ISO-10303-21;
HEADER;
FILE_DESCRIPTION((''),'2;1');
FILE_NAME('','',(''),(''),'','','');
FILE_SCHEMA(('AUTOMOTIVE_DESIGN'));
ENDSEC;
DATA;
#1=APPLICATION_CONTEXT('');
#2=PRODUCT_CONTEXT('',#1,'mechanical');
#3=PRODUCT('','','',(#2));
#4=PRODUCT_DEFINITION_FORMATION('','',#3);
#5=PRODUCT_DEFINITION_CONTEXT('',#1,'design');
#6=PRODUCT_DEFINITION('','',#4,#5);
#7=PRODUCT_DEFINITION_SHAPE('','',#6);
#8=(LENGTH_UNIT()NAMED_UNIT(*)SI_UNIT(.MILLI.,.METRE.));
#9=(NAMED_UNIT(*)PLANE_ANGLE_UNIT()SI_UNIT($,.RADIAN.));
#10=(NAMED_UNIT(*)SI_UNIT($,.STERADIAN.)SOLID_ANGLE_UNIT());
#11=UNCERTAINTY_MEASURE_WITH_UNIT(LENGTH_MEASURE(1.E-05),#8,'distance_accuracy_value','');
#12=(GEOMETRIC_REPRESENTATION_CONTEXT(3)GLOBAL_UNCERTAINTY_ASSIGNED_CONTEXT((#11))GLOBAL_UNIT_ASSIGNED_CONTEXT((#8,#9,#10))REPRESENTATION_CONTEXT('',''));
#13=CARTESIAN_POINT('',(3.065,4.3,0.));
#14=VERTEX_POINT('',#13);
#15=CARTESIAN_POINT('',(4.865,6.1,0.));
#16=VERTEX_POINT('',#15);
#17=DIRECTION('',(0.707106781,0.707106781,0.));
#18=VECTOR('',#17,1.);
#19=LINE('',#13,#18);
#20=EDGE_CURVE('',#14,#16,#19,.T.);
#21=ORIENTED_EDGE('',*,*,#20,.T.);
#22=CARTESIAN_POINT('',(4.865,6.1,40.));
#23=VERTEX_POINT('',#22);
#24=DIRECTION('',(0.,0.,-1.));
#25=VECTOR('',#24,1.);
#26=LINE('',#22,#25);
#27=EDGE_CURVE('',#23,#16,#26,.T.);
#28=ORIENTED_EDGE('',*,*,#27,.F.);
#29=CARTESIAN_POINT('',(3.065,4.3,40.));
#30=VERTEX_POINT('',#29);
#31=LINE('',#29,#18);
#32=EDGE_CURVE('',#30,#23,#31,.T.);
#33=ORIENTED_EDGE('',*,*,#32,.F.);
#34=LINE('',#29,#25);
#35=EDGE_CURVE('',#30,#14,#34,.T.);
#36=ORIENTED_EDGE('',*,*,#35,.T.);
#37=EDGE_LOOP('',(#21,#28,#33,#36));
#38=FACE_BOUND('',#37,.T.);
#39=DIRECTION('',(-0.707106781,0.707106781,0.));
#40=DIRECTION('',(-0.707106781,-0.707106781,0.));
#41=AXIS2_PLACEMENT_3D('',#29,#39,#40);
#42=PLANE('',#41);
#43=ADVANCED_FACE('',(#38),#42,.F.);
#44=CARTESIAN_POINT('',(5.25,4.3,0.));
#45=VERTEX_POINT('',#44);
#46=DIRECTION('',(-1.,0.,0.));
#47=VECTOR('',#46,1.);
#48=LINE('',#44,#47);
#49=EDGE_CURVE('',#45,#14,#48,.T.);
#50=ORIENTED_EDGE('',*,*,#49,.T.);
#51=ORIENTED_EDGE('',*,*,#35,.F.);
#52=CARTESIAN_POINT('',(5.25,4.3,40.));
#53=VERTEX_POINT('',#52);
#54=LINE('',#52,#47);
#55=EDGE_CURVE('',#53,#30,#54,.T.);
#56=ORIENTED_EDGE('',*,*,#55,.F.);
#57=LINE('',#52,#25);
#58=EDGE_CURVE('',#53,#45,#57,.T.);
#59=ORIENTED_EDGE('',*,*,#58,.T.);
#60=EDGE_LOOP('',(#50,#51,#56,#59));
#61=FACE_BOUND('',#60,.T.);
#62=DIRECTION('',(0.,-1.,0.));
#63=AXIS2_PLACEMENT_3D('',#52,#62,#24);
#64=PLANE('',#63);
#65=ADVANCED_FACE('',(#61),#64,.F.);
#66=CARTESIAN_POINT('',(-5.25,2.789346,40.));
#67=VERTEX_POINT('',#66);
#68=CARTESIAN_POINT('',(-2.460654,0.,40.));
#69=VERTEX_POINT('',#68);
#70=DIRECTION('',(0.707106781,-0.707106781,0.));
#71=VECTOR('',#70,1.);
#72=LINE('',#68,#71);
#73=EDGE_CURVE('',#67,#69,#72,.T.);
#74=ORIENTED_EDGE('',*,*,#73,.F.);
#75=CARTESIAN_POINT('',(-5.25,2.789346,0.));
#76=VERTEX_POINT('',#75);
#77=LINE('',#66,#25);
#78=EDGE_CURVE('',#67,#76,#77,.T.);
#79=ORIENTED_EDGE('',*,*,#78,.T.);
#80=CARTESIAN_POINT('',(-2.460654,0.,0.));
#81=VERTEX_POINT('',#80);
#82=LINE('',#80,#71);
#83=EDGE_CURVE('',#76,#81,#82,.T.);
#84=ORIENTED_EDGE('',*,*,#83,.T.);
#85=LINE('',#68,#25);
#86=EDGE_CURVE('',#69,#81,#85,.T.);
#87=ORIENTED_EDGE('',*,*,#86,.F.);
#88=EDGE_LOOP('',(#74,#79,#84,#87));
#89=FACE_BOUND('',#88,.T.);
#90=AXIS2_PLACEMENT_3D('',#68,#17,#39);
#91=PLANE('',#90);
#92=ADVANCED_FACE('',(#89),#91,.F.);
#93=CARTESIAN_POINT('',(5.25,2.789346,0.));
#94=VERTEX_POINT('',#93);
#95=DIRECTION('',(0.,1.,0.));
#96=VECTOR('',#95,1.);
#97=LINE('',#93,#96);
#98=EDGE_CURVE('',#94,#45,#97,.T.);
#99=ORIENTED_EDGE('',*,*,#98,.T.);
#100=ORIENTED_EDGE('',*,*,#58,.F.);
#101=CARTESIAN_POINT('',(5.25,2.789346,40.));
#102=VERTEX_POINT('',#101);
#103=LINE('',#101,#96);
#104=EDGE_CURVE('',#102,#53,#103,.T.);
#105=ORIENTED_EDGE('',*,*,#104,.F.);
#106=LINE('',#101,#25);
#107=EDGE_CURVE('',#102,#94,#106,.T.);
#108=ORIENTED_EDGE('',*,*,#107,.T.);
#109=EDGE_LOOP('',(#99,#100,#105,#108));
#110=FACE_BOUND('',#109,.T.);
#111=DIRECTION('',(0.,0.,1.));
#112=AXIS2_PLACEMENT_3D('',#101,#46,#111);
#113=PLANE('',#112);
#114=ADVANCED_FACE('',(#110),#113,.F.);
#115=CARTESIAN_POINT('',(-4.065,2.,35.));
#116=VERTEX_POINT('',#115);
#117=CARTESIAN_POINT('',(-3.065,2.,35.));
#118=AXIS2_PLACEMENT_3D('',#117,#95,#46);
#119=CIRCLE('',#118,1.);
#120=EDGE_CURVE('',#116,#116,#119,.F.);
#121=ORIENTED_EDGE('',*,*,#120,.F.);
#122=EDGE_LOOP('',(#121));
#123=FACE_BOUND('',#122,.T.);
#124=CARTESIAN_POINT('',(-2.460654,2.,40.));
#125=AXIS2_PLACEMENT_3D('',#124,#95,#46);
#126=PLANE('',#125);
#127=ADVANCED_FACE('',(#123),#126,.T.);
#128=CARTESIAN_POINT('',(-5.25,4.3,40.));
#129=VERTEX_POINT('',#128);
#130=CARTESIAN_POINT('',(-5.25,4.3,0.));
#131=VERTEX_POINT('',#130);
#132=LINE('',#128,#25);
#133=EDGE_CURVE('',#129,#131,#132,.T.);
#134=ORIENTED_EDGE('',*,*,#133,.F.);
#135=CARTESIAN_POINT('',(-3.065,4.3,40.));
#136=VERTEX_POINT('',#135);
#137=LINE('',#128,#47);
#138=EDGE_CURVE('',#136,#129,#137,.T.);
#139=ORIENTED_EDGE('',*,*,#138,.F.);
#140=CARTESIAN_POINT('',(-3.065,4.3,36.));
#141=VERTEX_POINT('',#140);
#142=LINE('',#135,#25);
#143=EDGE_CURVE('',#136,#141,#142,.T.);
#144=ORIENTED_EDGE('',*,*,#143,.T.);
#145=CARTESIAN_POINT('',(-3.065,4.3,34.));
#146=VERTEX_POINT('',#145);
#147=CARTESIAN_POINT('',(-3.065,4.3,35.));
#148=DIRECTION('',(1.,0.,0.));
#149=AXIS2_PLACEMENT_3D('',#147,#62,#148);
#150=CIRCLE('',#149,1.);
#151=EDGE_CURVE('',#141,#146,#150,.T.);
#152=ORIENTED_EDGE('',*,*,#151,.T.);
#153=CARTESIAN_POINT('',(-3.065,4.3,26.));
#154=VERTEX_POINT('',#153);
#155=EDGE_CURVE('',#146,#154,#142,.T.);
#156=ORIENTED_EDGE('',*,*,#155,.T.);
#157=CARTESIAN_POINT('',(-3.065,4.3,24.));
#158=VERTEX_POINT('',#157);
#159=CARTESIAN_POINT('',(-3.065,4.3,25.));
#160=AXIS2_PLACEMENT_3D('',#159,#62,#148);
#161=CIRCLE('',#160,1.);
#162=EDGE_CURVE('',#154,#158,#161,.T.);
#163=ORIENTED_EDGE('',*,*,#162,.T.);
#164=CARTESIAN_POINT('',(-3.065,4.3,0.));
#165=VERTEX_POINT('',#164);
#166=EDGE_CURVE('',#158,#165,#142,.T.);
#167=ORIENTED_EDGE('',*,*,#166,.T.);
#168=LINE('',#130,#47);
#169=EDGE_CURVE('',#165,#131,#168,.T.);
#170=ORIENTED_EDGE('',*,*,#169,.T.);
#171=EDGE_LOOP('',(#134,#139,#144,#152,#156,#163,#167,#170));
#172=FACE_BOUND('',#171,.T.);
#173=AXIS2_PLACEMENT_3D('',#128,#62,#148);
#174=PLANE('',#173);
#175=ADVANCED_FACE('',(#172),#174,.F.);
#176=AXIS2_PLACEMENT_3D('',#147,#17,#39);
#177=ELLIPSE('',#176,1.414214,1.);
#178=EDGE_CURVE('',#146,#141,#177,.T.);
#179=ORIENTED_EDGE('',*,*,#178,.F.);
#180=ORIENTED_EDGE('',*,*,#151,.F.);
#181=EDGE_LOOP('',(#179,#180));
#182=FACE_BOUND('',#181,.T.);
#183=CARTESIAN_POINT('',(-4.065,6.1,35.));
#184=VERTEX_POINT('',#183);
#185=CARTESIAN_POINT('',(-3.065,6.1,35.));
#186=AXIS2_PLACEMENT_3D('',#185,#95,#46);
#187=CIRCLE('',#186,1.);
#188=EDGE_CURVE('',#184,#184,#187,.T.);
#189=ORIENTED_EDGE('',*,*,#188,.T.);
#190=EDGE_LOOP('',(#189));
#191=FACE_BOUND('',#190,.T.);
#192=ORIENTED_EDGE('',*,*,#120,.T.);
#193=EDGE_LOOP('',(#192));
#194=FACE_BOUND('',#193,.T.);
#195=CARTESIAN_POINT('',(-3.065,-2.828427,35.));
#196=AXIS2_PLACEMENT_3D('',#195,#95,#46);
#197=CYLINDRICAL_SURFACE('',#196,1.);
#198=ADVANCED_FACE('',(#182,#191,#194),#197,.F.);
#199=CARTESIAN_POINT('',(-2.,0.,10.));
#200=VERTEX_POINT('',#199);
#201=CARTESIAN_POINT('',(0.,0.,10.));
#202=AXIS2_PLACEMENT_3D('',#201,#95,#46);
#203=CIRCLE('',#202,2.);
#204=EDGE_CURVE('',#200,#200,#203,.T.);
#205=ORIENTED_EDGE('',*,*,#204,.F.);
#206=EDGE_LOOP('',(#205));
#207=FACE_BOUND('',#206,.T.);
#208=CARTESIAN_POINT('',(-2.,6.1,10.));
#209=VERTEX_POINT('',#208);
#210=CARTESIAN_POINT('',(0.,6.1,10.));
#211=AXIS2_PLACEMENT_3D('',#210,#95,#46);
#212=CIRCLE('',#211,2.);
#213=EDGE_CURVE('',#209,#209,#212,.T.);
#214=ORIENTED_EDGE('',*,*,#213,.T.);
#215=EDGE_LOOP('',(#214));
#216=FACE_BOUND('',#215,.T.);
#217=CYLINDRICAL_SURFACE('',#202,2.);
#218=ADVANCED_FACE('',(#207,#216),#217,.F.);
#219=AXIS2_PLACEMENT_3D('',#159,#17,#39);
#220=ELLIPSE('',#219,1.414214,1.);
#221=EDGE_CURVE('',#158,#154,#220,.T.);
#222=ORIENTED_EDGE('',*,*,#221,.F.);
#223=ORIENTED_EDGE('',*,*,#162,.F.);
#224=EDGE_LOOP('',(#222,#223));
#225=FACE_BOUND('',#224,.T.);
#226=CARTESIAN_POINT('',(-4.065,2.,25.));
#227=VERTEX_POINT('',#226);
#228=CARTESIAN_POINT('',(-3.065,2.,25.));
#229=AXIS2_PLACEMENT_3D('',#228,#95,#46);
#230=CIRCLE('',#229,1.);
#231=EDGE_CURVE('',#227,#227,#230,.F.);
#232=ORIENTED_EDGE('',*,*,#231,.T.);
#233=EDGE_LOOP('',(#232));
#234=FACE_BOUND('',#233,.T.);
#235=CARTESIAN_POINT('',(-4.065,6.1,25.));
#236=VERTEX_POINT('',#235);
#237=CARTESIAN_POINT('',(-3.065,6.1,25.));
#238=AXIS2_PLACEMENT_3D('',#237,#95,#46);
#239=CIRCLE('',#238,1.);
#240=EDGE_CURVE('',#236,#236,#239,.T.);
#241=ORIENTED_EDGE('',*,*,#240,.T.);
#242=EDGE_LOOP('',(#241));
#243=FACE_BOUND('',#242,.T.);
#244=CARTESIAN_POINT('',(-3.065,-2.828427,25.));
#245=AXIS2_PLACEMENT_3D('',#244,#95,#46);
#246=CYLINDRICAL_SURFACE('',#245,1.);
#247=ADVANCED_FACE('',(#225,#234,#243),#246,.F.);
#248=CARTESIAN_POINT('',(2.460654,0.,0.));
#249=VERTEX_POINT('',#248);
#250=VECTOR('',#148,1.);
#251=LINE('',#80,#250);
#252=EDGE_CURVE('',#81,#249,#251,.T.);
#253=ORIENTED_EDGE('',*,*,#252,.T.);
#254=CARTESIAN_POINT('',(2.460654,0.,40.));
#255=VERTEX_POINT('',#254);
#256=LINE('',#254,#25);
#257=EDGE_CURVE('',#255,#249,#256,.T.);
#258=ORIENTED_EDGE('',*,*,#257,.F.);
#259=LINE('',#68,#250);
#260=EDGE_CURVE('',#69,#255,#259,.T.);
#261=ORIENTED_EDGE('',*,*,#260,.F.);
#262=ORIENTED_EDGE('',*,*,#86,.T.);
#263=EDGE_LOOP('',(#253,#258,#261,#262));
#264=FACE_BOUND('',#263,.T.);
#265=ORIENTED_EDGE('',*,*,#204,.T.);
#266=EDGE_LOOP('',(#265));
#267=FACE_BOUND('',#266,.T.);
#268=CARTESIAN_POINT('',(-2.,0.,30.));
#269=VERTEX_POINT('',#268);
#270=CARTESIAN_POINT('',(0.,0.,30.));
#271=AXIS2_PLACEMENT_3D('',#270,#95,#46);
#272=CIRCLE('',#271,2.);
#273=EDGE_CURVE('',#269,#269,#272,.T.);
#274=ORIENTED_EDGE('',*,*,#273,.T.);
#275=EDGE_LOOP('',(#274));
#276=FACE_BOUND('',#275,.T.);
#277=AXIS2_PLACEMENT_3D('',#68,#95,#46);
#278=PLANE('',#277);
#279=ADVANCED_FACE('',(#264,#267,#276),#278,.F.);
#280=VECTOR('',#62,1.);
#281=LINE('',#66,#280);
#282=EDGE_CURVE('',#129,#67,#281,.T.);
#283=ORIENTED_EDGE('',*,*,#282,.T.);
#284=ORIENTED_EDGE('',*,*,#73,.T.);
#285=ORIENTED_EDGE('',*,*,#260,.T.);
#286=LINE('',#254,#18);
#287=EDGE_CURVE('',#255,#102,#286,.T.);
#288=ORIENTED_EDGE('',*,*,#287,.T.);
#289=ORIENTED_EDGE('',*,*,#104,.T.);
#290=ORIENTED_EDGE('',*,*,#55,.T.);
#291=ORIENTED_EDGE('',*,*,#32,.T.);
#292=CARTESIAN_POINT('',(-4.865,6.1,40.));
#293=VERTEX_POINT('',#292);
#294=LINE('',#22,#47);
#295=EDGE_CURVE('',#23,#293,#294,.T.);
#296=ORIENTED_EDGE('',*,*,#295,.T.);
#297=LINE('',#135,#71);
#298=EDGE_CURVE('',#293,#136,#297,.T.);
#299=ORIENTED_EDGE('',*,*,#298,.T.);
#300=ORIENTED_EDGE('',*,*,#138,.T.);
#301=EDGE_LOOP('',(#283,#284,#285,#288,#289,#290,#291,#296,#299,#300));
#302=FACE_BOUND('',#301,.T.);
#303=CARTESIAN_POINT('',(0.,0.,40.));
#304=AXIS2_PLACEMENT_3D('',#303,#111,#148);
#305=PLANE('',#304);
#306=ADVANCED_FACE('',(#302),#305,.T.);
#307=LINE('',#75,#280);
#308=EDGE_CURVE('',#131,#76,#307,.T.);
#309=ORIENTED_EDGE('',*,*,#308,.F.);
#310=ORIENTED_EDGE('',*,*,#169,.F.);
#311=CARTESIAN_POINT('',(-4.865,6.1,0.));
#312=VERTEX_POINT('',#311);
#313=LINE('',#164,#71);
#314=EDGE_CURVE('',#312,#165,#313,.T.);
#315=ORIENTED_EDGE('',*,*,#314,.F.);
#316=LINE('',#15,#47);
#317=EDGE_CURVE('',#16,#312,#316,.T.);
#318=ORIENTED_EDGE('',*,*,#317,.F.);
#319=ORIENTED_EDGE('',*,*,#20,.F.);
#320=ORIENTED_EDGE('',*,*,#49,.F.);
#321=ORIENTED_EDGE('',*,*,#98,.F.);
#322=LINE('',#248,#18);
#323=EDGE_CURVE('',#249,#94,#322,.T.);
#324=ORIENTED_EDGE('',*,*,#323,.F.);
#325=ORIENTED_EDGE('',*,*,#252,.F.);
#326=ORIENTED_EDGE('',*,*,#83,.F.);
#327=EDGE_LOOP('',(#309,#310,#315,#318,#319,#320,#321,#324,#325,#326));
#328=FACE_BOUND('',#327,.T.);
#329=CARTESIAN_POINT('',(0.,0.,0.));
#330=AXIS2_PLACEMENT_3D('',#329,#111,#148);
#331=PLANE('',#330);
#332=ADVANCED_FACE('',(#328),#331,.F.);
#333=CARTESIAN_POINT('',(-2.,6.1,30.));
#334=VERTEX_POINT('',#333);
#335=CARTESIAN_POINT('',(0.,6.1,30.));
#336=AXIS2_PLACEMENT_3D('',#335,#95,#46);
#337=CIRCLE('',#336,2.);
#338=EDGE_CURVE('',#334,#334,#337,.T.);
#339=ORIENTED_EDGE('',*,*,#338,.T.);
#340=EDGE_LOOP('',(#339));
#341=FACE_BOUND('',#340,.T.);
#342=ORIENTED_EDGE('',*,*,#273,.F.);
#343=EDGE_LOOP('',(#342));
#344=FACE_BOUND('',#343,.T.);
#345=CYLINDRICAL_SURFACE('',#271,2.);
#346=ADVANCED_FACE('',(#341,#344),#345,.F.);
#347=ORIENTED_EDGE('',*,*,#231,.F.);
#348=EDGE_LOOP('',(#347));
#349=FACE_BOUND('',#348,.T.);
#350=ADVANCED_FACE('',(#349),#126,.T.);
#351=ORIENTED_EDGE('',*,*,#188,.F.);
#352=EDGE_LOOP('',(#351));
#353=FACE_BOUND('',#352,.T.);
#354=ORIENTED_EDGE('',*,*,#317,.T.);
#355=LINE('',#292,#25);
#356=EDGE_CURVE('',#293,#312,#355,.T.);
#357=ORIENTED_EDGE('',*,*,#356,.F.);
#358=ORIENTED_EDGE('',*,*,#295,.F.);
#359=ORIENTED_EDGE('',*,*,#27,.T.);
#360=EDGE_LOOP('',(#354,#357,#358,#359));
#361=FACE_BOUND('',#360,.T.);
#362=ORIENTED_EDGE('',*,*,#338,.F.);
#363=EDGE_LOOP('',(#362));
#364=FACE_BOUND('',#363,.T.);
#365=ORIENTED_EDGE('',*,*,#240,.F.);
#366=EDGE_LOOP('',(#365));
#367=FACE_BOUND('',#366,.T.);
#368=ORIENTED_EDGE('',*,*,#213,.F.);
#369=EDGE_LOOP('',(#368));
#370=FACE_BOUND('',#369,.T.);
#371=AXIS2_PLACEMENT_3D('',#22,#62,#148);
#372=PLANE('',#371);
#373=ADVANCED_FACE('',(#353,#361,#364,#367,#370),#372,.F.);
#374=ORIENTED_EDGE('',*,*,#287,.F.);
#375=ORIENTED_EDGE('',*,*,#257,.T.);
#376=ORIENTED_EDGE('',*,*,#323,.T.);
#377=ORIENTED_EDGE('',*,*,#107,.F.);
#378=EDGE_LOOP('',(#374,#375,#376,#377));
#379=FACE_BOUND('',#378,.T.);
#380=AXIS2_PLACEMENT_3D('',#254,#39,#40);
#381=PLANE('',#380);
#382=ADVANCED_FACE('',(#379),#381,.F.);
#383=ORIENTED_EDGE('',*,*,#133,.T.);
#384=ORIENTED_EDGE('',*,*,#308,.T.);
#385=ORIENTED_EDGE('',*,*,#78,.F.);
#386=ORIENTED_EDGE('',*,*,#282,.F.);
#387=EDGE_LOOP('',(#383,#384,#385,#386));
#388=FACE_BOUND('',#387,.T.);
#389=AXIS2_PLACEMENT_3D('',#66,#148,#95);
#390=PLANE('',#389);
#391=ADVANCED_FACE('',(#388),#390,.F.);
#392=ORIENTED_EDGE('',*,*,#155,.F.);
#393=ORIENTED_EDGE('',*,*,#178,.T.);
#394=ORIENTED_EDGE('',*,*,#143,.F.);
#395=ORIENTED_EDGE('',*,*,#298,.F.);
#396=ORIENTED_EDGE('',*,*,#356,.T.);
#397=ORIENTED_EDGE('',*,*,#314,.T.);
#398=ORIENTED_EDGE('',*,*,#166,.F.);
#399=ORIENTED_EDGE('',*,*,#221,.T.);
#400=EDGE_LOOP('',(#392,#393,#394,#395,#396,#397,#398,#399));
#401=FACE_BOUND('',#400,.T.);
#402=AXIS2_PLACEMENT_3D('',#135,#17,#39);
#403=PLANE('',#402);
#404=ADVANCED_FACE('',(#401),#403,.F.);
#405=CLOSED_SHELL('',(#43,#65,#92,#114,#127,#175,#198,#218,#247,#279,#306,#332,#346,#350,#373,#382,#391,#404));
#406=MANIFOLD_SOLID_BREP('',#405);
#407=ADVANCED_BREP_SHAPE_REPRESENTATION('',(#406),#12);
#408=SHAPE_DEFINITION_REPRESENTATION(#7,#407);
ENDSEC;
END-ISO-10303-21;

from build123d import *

# Parameters (mm, degrees)
BOSS_EXTRUDE1_DEPTH = 40
SKETCH2_R           = 2
CUT_EXTRUDE1_DEPTH  = 7.1
SKETCH9_R           = 1
CUT_EXTRUDE2_DEPTH  = 4.1


with BuildPart() as part:
    # Sketch1 → Boss-Extrude1 (new body)
    with BuildSketch(Plane.XY):
        Polygon((-2.460653528, 0), (2.460653528, 0), (5.25, 2.789346472), (5.25, 4.3), (3.065, 4.3), (4.865, 6.1), (-4.865, 6.1), (-3.065, 4.3), (-5.25, 4.3), (-5.25, 2.789346472), align=None)
    extrude(amount=BOSS_EXTRUDE1_DEPTH)

    # Sketch2 → Cut-Extrude1 (cut, through all)
    with BuildSketch(Plane(origin=(0, 6.1, 0), x_dir=(1, 0, 0), z_dir=(0, 1, 0))):
        with Locations((0, -30)):
            Circle(SKETCH2_R)
        with Locations((0, -10)):
            Circle(SKETCH2_R)
    extrude(amount=-CUT_EXTRUDE1_DEPTH, mode=Mode.SUBTRACT)

    # Sketch9 → Cut-Extrude2 (cut)
    with BuildSketch(Plane(origin=(0, 6.1, 0), x_dir=(1, 0, 0), z_dir=(0, 1, 0))):
        with Locations((-3.065, -35)):
            Circle(SKETCH9_R)
        with Locations((-3.065, -25)):
            Circle(SKETCH9_R)
    extrude(amount=-CUT_EXTRUDE2_DEPTH, mode=Mode.SUBTRACT)


solid = part.part
